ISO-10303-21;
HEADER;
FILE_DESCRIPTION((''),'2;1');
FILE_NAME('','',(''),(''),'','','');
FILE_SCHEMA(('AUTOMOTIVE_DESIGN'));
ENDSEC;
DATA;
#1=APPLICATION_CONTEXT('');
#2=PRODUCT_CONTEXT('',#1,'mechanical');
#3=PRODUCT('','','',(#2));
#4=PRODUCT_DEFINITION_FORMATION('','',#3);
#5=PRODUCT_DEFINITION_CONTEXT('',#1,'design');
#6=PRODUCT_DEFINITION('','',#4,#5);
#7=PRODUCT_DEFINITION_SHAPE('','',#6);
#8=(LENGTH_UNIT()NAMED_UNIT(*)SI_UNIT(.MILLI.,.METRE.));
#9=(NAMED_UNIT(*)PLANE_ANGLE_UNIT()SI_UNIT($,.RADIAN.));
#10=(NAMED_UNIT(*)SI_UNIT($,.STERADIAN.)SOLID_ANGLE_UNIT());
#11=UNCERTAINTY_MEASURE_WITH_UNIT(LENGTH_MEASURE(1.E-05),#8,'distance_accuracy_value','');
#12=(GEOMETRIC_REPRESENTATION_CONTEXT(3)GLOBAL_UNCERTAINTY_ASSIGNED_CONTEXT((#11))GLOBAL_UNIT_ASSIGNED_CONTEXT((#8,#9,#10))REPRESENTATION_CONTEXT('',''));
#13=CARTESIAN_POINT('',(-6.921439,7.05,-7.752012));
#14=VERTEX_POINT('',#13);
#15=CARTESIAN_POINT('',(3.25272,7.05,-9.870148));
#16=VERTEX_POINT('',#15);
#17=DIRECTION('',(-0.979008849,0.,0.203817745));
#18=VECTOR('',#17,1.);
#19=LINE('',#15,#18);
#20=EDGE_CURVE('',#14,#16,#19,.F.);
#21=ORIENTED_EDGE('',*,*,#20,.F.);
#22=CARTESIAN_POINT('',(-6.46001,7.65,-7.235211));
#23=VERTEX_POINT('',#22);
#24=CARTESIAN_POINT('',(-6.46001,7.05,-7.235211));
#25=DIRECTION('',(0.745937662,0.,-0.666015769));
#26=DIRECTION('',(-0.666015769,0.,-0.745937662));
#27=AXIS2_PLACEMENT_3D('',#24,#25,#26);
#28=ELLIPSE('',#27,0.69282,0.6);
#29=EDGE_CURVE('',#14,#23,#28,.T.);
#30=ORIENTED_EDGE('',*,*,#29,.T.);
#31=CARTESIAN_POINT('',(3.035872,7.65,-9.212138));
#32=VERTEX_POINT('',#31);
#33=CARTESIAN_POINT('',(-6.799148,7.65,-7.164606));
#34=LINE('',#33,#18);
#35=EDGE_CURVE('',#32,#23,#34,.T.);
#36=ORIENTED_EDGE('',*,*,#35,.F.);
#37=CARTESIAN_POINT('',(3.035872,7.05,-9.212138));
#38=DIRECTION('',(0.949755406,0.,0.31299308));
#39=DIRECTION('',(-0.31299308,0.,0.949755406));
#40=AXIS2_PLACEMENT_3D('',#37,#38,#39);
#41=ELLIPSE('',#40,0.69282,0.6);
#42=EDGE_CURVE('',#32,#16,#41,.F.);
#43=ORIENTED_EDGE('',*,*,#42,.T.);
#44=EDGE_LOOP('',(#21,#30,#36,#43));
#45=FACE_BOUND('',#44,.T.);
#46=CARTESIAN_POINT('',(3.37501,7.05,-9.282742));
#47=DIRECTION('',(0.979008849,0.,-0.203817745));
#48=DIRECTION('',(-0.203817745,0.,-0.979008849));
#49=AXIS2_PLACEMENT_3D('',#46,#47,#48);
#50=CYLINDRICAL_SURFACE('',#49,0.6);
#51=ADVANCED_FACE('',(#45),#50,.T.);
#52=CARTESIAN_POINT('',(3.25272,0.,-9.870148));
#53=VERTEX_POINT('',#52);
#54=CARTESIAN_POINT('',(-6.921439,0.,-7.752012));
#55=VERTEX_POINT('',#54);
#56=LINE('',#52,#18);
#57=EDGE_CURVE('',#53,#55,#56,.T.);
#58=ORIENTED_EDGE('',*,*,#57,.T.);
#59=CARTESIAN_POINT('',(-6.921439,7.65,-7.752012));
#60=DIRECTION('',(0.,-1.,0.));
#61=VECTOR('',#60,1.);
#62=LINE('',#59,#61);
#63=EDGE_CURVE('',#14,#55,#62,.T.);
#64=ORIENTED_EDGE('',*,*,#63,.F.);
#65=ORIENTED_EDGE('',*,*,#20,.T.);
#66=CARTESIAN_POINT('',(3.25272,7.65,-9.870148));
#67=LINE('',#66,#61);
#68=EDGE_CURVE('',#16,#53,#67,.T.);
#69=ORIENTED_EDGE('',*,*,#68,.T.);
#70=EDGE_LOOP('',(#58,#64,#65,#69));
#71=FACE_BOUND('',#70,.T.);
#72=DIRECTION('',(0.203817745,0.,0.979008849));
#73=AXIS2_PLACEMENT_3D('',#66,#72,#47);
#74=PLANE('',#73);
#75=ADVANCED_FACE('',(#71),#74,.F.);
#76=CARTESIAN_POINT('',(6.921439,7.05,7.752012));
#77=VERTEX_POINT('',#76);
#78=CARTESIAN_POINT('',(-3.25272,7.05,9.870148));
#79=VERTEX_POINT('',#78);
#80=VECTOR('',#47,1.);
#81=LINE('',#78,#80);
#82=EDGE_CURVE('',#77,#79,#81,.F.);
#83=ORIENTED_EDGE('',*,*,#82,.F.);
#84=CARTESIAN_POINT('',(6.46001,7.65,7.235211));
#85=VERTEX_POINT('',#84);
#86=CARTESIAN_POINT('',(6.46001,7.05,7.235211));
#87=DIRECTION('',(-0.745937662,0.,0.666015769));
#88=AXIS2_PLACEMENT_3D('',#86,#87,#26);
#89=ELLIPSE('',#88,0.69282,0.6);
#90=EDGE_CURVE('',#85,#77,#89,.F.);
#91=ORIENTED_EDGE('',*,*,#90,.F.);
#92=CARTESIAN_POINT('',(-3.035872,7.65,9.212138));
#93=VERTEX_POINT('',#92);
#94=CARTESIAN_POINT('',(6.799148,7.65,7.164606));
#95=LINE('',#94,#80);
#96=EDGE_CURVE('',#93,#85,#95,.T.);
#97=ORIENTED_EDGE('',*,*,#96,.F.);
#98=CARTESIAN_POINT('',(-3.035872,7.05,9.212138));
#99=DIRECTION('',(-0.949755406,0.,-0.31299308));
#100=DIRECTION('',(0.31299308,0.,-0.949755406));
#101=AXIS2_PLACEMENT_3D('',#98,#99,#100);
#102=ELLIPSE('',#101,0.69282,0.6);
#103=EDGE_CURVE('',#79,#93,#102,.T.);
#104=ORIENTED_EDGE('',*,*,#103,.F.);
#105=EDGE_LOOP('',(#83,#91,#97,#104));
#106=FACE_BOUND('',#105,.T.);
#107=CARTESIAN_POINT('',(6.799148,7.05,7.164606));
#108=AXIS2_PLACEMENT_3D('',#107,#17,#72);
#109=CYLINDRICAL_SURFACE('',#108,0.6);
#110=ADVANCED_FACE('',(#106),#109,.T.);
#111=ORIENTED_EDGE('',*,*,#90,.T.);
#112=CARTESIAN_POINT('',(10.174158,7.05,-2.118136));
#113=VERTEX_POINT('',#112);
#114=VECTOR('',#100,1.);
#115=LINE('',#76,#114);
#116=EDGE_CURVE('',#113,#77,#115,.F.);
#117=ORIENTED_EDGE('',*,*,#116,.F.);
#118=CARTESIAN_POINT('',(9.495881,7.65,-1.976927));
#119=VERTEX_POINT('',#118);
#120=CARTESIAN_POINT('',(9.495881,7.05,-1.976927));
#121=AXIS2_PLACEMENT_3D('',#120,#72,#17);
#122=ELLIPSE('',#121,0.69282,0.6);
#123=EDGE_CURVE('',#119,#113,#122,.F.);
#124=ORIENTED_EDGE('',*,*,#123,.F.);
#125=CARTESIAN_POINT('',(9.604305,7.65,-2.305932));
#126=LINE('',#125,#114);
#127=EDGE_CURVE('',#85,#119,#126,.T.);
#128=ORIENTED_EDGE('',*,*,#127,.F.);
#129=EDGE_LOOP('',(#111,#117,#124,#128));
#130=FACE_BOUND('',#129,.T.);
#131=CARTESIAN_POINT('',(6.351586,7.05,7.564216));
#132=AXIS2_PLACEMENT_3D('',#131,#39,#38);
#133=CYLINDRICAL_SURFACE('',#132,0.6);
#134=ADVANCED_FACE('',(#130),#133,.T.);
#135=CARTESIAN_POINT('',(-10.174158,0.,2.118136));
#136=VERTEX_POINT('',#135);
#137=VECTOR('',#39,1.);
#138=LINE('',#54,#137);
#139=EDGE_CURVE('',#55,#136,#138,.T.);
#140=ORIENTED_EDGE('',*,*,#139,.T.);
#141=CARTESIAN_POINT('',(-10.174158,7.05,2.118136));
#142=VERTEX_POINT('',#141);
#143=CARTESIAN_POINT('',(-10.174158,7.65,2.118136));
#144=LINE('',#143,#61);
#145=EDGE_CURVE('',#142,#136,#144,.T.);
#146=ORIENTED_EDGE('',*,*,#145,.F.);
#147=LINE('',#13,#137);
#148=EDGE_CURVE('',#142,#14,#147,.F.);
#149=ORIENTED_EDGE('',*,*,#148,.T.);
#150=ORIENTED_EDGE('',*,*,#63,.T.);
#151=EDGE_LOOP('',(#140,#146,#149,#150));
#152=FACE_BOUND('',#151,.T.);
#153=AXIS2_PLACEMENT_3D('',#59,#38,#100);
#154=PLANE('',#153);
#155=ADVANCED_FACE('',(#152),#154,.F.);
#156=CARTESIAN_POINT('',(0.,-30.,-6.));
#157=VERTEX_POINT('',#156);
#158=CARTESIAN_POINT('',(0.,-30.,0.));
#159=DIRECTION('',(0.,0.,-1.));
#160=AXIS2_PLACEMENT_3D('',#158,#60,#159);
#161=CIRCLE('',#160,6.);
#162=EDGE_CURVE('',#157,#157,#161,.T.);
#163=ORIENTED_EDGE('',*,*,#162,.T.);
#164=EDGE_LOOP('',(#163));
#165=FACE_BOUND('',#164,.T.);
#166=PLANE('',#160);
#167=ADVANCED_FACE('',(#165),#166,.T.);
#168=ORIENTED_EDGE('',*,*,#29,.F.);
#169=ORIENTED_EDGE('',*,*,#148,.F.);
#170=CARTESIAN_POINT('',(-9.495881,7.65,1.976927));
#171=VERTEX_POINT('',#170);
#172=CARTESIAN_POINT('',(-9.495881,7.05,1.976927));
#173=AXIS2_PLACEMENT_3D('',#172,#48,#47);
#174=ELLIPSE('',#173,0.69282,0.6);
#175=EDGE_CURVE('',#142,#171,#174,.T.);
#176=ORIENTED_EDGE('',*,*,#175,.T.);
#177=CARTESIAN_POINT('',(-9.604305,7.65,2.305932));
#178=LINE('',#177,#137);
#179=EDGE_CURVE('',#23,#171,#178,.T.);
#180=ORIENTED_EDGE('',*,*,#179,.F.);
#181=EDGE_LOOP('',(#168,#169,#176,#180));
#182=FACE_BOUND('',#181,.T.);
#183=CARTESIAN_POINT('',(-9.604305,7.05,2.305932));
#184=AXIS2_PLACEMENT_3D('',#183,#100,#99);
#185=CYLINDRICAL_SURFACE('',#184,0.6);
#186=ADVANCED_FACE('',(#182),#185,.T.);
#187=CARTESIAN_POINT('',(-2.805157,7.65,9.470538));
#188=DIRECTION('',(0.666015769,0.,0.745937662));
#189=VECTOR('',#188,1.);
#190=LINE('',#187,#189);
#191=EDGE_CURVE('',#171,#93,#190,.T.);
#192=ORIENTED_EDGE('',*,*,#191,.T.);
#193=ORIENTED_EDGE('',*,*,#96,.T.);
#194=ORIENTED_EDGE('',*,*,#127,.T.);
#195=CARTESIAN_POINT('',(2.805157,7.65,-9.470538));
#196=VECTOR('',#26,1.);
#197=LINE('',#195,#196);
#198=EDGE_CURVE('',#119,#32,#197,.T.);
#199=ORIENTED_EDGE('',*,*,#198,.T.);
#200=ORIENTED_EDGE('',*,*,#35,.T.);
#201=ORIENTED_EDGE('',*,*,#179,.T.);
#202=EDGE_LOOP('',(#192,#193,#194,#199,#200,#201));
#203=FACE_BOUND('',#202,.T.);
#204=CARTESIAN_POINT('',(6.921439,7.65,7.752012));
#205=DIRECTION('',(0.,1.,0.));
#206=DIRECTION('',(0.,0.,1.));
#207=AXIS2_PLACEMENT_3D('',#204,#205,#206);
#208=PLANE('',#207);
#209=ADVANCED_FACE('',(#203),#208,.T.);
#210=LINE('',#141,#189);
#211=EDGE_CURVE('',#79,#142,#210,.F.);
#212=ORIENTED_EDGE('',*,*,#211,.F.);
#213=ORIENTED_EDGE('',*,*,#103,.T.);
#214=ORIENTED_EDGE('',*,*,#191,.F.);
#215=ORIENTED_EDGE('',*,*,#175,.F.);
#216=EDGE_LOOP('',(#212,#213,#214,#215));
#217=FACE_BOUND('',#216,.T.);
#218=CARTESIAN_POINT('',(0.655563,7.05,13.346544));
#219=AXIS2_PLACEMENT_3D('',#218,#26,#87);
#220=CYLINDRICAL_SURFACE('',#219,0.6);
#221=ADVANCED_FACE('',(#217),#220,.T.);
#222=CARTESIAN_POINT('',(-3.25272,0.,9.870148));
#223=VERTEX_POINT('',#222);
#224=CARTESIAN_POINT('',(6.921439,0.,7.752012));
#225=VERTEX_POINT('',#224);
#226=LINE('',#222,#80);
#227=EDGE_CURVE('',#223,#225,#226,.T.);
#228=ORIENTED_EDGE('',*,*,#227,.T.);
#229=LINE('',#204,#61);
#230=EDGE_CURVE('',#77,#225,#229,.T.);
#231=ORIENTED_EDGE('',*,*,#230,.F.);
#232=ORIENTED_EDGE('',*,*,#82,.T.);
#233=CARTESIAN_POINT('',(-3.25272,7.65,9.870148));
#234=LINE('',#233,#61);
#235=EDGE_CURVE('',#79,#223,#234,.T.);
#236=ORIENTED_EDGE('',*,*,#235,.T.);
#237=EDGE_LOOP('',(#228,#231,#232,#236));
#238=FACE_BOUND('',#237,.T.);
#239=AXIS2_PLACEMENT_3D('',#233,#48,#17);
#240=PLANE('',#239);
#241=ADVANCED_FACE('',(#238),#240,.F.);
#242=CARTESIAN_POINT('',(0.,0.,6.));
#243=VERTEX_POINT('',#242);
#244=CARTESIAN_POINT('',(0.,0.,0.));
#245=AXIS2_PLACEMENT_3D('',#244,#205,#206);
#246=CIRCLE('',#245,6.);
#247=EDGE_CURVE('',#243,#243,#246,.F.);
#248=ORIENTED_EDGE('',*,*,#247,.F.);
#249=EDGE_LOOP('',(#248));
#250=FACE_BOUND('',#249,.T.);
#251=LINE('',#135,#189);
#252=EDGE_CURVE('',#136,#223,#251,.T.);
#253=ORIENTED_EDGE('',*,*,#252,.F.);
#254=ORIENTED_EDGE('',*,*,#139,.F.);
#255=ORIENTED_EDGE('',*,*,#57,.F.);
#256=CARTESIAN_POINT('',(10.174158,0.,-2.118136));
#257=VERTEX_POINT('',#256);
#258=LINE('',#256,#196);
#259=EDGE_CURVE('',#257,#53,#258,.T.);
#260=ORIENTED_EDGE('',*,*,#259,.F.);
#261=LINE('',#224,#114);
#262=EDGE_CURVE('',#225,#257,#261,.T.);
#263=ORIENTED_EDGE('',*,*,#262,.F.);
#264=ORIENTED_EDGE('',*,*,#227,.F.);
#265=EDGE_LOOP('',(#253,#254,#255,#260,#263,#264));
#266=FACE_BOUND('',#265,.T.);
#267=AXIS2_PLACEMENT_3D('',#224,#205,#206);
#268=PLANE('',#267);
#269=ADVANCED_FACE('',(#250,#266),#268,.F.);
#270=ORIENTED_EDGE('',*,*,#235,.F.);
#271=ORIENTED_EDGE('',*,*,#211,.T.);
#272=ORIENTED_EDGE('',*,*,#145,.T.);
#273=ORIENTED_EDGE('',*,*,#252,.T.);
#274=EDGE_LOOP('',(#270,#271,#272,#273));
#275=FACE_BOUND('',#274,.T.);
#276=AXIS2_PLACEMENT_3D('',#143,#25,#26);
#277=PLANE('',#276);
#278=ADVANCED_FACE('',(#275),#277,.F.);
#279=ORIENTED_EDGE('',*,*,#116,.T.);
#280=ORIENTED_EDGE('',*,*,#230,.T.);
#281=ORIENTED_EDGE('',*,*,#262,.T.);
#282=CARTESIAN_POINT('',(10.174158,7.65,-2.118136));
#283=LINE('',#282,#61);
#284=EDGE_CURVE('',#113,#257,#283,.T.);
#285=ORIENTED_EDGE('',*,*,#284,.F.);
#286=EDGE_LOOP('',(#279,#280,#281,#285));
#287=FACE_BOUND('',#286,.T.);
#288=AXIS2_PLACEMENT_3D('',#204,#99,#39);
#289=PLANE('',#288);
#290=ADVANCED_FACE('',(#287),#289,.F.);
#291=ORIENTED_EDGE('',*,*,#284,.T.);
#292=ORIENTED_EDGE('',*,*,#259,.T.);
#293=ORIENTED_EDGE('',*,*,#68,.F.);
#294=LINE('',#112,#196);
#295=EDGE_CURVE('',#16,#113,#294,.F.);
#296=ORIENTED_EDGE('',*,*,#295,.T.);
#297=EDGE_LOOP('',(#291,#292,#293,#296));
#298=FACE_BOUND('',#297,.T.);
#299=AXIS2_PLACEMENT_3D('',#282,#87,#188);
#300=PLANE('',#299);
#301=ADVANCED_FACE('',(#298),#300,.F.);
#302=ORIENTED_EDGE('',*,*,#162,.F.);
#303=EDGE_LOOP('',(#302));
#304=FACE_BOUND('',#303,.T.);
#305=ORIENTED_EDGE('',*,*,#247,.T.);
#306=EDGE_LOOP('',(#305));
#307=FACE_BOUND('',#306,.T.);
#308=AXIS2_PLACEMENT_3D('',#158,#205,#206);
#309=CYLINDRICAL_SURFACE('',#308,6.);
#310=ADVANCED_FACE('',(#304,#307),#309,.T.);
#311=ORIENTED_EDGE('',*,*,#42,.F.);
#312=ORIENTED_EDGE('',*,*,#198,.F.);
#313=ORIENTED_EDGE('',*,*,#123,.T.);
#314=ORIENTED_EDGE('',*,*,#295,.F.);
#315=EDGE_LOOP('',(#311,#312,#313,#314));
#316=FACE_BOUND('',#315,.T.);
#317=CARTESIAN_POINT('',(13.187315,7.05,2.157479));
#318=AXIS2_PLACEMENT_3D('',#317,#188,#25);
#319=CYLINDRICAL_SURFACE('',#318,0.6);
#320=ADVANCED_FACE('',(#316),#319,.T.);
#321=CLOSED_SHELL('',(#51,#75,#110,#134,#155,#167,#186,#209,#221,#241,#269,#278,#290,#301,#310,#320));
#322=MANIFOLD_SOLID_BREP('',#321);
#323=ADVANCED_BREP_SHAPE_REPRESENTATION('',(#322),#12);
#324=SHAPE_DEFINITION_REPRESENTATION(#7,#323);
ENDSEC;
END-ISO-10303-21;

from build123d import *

# Parameters (mm, degrees)
EXTRUDE_1_DEPTH = 7.65
SKETCH_2_R      = 6
EXTRUDE_2_DEPTH = 30
FILLET_1_R      = 0.6


with BuildPart() as part:
    # 草图1 → 凸台-拉伸1 (new body)
    with BuildSketch(Plane(origin=(0, 0, 0), x_dir=(1, 0, 0), z_dir=(0, 1, 0))):
        Polygon((6.921438907, -7.752011575), (10.174158408, 2.118136136), (3.252719501, 9.870147711), (-6.921438907, 7.752011575), (-10.174158408, -2.118136136), (-3.252719501, -9.870147711), align=None)
    extrude(amount=EXTRUDE_1_DEPTH)

    # 草图2 → 凸台-拉伸2 (add)
    with BuildSketch(Plane.XZ):
        Circle(SKETCH_2_R)
    extrude(amount=EXTRUDE_2_DEPTH)

    # 圆角1
    fillet_1_edges = [part.edges().sort_by_distance(p)[0] for p in [
        (6.713438955, 7.65, -5.994141924),
        (-1.834359703, 7.65, -8.811079643),
        (-8.547798657, 7.65, -2.81693772),
        (-6.713438955, 7.65, 5.994141924),
        (1.834359703, 7.65, 8.811079643),
        (8.547798657, 7.65, 2.81693772),
    ]]
    fillet(fillet_1_edges, radius=FILLET_1_R)


solid = part.part
